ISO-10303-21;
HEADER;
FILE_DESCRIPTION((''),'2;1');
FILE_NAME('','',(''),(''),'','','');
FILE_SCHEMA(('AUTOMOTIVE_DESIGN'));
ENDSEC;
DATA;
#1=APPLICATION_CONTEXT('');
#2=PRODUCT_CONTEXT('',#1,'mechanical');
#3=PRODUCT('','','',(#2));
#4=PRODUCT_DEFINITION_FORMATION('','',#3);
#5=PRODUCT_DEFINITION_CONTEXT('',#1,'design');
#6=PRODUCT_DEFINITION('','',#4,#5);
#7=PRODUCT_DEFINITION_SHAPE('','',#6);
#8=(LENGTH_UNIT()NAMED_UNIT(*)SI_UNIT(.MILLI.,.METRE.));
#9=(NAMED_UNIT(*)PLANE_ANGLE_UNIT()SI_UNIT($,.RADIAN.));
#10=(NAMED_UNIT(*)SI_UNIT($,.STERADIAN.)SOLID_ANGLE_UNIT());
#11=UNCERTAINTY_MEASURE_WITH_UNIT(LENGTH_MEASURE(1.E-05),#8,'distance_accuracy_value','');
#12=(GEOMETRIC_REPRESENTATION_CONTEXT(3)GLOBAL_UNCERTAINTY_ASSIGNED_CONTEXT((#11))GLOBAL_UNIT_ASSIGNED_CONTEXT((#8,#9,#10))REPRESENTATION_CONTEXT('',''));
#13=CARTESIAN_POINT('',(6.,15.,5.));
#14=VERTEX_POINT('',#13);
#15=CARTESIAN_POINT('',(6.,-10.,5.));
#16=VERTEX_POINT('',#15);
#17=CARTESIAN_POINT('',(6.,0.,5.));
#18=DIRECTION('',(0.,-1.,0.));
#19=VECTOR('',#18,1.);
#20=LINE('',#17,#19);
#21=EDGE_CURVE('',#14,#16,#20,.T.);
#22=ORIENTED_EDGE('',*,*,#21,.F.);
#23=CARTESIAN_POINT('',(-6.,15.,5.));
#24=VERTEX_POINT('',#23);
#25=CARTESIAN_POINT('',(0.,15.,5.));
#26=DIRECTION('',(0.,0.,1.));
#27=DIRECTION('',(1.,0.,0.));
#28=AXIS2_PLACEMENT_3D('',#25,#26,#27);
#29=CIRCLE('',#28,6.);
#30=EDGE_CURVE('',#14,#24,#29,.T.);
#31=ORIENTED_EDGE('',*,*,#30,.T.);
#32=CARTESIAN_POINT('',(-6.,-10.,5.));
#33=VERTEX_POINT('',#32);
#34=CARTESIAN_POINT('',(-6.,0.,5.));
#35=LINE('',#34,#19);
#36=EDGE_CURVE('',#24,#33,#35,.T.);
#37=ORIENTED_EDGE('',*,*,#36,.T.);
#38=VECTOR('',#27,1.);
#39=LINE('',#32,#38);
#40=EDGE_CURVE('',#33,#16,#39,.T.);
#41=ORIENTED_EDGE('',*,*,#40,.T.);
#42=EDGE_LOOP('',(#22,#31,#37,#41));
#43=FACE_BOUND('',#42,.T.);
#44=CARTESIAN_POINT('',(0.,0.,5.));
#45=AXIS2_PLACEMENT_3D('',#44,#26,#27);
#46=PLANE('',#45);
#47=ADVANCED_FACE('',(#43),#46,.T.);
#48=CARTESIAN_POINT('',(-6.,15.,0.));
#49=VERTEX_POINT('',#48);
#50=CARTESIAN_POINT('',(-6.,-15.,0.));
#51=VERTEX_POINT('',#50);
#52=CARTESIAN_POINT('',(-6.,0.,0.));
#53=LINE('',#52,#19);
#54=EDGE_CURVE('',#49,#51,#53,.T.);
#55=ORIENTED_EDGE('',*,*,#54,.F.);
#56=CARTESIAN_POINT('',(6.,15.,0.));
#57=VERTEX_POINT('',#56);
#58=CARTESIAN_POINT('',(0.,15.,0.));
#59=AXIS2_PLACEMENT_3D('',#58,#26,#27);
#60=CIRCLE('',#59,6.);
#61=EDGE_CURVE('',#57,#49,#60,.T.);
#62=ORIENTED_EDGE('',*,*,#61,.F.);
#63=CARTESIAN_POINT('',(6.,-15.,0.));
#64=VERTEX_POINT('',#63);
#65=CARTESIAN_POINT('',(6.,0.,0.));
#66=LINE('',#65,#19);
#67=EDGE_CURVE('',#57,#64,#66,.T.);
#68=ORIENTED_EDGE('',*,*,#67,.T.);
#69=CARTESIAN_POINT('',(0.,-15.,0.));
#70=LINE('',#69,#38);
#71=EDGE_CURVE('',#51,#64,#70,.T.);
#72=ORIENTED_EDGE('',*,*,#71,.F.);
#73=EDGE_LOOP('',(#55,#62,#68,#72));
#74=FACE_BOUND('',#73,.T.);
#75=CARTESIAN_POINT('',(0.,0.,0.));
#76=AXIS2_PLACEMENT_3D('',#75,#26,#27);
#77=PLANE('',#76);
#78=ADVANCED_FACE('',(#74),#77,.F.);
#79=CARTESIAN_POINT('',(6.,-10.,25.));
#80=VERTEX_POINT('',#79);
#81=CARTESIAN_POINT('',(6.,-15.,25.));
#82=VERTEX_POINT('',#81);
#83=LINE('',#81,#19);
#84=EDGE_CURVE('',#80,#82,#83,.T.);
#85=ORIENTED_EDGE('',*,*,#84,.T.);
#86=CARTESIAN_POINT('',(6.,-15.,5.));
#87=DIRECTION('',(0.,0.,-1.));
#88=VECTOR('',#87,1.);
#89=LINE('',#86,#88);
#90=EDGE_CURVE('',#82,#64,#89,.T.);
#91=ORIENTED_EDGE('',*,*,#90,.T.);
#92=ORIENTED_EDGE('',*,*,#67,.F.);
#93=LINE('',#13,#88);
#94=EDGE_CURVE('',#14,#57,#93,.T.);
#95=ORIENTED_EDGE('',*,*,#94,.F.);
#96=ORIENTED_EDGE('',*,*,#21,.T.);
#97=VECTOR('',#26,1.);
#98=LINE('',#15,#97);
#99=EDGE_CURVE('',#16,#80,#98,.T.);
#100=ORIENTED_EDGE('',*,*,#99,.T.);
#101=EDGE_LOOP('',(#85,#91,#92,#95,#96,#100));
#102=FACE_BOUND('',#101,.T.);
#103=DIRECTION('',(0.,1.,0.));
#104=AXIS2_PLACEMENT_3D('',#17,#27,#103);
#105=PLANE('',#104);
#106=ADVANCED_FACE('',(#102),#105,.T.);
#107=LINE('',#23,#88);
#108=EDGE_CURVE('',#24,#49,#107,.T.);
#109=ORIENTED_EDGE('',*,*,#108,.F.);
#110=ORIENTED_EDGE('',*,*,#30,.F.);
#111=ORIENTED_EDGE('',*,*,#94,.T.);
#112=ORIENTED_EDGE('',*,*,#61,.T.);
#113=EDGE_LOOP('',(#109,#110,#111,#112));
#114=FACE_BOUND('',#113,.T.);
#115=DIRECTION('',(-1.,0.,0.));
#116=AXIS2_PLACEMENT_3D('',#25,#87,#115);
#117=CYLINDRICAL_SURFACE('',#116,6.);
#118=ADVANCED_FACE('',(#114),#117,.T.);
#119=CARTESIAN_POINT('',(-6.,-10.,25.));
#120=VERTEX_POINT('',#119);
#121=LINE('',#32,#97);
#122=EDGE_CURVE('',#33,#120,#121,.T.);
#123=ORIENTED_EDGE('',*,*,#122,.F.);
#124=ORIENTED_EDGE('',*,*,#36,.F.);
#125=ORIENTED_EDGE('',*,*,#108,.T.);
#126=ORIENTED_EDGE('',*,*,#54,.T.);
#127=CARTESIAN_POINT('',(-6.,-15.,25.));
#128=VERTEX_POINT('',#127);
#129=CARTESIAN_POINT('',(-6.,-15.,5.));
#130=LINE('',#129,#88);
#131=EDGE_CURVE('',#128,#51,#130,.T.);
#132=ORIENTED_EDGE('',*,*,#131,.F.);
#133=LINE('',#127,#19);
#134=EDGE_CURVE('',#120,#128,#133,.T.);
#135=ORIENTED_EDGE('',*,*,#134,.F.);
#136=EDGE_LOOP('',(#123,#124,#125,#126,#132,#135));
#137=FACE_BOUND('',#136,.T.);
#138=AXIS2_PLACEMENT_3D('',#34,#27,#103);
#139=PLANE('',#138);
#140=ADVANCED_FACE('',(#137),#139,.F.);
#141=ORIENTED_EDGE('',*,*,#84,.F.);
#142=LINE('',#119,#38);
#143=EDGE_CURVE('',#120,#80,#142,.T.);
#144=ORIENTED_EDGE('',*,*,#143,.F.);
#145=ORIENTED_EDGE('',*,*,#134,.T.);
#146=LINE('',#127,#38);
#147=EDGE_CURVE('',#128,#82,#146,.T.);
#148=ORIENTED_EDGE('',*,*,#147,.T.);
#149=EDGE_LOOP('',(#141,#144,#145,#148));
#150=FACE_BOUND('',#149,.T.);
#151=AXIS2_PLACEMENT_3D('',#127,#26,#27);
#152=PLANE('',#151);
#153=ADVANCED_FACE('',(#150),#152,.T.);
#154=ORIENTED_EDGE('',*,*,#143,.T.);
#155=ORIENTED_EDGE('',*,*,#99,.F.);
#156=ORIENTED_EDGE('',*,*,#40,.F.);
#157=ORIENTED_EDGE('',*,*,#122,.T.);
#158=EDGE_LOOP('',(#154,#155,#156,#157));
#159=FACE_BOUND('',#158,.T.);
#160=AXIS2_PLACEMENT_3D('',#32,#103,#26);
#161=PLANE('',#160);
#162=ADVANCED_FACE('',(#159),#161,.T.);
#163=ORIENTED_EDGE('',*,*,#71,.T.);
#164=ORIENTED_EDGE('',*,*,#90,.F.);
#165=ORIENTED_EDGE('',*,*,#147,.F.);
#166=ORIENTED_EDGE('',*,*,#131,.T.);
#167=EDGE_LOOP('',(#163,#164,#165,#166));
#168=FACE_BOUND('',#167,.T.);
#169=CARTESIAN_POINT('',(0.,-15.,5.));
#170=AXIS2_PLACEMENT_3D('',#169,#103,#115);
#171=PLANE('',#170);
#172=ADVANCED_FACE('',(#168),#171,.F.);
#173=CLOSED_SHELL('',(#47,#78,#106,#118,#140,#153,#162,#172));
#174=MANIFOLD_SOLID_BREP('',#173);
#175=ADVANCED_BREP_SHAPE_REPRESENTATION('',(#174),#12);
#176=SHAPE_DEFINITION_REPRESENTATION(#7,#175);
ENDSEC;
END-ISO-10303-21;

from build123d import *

# Parameters (mm, degrees)
BOSS_EXTRUDE1_DEPTH = 5
SKETCH2_W           = 20
SKETCH2_H           = 5
BOSS_EXTRUDE2_DEPTH = 12


with BuildPart() as part:
    # Sketch1 → Boss-Extrude1 (new body)
    with BuildSketch(Plane.XY):
        with BuildLine():
            ThreePointArc((6, 15), (0, 21), (-6, 15))
            Line((-6, 15), (6, 15))
        make_face()
        with BuildLine():
            Line((6, 15), (-6, 15))
            ThreePointArc((-6, 15), (0, 9), (6, 15))
        make_face()
        with BuildLine():
            ThreePointArc((6, 15), (0, 9), (-6, 15))
            Line((-6, 15), (-6, -15))
            Line((-6, -15), (6, -15))
            Line((6, -15), (6, 15))
        make_face()
    extrude(amount=BOSS_EXTRUDE1_DEPTH)

    # Sketch2 → Boss-Extrude2 (add)
    with BuildSketch(Plane(origin=(6, 0, 0), x_dir=(0, 0, -1), z_dir=(1, 0, 0))):
        with Locations((-15, -12.5)):
            Rectangle(SKETCH2_W, SKETCH2_H)
    extrude(amount=-BOSS_EXTRUDE2_DEPTH)


solid = part.part
